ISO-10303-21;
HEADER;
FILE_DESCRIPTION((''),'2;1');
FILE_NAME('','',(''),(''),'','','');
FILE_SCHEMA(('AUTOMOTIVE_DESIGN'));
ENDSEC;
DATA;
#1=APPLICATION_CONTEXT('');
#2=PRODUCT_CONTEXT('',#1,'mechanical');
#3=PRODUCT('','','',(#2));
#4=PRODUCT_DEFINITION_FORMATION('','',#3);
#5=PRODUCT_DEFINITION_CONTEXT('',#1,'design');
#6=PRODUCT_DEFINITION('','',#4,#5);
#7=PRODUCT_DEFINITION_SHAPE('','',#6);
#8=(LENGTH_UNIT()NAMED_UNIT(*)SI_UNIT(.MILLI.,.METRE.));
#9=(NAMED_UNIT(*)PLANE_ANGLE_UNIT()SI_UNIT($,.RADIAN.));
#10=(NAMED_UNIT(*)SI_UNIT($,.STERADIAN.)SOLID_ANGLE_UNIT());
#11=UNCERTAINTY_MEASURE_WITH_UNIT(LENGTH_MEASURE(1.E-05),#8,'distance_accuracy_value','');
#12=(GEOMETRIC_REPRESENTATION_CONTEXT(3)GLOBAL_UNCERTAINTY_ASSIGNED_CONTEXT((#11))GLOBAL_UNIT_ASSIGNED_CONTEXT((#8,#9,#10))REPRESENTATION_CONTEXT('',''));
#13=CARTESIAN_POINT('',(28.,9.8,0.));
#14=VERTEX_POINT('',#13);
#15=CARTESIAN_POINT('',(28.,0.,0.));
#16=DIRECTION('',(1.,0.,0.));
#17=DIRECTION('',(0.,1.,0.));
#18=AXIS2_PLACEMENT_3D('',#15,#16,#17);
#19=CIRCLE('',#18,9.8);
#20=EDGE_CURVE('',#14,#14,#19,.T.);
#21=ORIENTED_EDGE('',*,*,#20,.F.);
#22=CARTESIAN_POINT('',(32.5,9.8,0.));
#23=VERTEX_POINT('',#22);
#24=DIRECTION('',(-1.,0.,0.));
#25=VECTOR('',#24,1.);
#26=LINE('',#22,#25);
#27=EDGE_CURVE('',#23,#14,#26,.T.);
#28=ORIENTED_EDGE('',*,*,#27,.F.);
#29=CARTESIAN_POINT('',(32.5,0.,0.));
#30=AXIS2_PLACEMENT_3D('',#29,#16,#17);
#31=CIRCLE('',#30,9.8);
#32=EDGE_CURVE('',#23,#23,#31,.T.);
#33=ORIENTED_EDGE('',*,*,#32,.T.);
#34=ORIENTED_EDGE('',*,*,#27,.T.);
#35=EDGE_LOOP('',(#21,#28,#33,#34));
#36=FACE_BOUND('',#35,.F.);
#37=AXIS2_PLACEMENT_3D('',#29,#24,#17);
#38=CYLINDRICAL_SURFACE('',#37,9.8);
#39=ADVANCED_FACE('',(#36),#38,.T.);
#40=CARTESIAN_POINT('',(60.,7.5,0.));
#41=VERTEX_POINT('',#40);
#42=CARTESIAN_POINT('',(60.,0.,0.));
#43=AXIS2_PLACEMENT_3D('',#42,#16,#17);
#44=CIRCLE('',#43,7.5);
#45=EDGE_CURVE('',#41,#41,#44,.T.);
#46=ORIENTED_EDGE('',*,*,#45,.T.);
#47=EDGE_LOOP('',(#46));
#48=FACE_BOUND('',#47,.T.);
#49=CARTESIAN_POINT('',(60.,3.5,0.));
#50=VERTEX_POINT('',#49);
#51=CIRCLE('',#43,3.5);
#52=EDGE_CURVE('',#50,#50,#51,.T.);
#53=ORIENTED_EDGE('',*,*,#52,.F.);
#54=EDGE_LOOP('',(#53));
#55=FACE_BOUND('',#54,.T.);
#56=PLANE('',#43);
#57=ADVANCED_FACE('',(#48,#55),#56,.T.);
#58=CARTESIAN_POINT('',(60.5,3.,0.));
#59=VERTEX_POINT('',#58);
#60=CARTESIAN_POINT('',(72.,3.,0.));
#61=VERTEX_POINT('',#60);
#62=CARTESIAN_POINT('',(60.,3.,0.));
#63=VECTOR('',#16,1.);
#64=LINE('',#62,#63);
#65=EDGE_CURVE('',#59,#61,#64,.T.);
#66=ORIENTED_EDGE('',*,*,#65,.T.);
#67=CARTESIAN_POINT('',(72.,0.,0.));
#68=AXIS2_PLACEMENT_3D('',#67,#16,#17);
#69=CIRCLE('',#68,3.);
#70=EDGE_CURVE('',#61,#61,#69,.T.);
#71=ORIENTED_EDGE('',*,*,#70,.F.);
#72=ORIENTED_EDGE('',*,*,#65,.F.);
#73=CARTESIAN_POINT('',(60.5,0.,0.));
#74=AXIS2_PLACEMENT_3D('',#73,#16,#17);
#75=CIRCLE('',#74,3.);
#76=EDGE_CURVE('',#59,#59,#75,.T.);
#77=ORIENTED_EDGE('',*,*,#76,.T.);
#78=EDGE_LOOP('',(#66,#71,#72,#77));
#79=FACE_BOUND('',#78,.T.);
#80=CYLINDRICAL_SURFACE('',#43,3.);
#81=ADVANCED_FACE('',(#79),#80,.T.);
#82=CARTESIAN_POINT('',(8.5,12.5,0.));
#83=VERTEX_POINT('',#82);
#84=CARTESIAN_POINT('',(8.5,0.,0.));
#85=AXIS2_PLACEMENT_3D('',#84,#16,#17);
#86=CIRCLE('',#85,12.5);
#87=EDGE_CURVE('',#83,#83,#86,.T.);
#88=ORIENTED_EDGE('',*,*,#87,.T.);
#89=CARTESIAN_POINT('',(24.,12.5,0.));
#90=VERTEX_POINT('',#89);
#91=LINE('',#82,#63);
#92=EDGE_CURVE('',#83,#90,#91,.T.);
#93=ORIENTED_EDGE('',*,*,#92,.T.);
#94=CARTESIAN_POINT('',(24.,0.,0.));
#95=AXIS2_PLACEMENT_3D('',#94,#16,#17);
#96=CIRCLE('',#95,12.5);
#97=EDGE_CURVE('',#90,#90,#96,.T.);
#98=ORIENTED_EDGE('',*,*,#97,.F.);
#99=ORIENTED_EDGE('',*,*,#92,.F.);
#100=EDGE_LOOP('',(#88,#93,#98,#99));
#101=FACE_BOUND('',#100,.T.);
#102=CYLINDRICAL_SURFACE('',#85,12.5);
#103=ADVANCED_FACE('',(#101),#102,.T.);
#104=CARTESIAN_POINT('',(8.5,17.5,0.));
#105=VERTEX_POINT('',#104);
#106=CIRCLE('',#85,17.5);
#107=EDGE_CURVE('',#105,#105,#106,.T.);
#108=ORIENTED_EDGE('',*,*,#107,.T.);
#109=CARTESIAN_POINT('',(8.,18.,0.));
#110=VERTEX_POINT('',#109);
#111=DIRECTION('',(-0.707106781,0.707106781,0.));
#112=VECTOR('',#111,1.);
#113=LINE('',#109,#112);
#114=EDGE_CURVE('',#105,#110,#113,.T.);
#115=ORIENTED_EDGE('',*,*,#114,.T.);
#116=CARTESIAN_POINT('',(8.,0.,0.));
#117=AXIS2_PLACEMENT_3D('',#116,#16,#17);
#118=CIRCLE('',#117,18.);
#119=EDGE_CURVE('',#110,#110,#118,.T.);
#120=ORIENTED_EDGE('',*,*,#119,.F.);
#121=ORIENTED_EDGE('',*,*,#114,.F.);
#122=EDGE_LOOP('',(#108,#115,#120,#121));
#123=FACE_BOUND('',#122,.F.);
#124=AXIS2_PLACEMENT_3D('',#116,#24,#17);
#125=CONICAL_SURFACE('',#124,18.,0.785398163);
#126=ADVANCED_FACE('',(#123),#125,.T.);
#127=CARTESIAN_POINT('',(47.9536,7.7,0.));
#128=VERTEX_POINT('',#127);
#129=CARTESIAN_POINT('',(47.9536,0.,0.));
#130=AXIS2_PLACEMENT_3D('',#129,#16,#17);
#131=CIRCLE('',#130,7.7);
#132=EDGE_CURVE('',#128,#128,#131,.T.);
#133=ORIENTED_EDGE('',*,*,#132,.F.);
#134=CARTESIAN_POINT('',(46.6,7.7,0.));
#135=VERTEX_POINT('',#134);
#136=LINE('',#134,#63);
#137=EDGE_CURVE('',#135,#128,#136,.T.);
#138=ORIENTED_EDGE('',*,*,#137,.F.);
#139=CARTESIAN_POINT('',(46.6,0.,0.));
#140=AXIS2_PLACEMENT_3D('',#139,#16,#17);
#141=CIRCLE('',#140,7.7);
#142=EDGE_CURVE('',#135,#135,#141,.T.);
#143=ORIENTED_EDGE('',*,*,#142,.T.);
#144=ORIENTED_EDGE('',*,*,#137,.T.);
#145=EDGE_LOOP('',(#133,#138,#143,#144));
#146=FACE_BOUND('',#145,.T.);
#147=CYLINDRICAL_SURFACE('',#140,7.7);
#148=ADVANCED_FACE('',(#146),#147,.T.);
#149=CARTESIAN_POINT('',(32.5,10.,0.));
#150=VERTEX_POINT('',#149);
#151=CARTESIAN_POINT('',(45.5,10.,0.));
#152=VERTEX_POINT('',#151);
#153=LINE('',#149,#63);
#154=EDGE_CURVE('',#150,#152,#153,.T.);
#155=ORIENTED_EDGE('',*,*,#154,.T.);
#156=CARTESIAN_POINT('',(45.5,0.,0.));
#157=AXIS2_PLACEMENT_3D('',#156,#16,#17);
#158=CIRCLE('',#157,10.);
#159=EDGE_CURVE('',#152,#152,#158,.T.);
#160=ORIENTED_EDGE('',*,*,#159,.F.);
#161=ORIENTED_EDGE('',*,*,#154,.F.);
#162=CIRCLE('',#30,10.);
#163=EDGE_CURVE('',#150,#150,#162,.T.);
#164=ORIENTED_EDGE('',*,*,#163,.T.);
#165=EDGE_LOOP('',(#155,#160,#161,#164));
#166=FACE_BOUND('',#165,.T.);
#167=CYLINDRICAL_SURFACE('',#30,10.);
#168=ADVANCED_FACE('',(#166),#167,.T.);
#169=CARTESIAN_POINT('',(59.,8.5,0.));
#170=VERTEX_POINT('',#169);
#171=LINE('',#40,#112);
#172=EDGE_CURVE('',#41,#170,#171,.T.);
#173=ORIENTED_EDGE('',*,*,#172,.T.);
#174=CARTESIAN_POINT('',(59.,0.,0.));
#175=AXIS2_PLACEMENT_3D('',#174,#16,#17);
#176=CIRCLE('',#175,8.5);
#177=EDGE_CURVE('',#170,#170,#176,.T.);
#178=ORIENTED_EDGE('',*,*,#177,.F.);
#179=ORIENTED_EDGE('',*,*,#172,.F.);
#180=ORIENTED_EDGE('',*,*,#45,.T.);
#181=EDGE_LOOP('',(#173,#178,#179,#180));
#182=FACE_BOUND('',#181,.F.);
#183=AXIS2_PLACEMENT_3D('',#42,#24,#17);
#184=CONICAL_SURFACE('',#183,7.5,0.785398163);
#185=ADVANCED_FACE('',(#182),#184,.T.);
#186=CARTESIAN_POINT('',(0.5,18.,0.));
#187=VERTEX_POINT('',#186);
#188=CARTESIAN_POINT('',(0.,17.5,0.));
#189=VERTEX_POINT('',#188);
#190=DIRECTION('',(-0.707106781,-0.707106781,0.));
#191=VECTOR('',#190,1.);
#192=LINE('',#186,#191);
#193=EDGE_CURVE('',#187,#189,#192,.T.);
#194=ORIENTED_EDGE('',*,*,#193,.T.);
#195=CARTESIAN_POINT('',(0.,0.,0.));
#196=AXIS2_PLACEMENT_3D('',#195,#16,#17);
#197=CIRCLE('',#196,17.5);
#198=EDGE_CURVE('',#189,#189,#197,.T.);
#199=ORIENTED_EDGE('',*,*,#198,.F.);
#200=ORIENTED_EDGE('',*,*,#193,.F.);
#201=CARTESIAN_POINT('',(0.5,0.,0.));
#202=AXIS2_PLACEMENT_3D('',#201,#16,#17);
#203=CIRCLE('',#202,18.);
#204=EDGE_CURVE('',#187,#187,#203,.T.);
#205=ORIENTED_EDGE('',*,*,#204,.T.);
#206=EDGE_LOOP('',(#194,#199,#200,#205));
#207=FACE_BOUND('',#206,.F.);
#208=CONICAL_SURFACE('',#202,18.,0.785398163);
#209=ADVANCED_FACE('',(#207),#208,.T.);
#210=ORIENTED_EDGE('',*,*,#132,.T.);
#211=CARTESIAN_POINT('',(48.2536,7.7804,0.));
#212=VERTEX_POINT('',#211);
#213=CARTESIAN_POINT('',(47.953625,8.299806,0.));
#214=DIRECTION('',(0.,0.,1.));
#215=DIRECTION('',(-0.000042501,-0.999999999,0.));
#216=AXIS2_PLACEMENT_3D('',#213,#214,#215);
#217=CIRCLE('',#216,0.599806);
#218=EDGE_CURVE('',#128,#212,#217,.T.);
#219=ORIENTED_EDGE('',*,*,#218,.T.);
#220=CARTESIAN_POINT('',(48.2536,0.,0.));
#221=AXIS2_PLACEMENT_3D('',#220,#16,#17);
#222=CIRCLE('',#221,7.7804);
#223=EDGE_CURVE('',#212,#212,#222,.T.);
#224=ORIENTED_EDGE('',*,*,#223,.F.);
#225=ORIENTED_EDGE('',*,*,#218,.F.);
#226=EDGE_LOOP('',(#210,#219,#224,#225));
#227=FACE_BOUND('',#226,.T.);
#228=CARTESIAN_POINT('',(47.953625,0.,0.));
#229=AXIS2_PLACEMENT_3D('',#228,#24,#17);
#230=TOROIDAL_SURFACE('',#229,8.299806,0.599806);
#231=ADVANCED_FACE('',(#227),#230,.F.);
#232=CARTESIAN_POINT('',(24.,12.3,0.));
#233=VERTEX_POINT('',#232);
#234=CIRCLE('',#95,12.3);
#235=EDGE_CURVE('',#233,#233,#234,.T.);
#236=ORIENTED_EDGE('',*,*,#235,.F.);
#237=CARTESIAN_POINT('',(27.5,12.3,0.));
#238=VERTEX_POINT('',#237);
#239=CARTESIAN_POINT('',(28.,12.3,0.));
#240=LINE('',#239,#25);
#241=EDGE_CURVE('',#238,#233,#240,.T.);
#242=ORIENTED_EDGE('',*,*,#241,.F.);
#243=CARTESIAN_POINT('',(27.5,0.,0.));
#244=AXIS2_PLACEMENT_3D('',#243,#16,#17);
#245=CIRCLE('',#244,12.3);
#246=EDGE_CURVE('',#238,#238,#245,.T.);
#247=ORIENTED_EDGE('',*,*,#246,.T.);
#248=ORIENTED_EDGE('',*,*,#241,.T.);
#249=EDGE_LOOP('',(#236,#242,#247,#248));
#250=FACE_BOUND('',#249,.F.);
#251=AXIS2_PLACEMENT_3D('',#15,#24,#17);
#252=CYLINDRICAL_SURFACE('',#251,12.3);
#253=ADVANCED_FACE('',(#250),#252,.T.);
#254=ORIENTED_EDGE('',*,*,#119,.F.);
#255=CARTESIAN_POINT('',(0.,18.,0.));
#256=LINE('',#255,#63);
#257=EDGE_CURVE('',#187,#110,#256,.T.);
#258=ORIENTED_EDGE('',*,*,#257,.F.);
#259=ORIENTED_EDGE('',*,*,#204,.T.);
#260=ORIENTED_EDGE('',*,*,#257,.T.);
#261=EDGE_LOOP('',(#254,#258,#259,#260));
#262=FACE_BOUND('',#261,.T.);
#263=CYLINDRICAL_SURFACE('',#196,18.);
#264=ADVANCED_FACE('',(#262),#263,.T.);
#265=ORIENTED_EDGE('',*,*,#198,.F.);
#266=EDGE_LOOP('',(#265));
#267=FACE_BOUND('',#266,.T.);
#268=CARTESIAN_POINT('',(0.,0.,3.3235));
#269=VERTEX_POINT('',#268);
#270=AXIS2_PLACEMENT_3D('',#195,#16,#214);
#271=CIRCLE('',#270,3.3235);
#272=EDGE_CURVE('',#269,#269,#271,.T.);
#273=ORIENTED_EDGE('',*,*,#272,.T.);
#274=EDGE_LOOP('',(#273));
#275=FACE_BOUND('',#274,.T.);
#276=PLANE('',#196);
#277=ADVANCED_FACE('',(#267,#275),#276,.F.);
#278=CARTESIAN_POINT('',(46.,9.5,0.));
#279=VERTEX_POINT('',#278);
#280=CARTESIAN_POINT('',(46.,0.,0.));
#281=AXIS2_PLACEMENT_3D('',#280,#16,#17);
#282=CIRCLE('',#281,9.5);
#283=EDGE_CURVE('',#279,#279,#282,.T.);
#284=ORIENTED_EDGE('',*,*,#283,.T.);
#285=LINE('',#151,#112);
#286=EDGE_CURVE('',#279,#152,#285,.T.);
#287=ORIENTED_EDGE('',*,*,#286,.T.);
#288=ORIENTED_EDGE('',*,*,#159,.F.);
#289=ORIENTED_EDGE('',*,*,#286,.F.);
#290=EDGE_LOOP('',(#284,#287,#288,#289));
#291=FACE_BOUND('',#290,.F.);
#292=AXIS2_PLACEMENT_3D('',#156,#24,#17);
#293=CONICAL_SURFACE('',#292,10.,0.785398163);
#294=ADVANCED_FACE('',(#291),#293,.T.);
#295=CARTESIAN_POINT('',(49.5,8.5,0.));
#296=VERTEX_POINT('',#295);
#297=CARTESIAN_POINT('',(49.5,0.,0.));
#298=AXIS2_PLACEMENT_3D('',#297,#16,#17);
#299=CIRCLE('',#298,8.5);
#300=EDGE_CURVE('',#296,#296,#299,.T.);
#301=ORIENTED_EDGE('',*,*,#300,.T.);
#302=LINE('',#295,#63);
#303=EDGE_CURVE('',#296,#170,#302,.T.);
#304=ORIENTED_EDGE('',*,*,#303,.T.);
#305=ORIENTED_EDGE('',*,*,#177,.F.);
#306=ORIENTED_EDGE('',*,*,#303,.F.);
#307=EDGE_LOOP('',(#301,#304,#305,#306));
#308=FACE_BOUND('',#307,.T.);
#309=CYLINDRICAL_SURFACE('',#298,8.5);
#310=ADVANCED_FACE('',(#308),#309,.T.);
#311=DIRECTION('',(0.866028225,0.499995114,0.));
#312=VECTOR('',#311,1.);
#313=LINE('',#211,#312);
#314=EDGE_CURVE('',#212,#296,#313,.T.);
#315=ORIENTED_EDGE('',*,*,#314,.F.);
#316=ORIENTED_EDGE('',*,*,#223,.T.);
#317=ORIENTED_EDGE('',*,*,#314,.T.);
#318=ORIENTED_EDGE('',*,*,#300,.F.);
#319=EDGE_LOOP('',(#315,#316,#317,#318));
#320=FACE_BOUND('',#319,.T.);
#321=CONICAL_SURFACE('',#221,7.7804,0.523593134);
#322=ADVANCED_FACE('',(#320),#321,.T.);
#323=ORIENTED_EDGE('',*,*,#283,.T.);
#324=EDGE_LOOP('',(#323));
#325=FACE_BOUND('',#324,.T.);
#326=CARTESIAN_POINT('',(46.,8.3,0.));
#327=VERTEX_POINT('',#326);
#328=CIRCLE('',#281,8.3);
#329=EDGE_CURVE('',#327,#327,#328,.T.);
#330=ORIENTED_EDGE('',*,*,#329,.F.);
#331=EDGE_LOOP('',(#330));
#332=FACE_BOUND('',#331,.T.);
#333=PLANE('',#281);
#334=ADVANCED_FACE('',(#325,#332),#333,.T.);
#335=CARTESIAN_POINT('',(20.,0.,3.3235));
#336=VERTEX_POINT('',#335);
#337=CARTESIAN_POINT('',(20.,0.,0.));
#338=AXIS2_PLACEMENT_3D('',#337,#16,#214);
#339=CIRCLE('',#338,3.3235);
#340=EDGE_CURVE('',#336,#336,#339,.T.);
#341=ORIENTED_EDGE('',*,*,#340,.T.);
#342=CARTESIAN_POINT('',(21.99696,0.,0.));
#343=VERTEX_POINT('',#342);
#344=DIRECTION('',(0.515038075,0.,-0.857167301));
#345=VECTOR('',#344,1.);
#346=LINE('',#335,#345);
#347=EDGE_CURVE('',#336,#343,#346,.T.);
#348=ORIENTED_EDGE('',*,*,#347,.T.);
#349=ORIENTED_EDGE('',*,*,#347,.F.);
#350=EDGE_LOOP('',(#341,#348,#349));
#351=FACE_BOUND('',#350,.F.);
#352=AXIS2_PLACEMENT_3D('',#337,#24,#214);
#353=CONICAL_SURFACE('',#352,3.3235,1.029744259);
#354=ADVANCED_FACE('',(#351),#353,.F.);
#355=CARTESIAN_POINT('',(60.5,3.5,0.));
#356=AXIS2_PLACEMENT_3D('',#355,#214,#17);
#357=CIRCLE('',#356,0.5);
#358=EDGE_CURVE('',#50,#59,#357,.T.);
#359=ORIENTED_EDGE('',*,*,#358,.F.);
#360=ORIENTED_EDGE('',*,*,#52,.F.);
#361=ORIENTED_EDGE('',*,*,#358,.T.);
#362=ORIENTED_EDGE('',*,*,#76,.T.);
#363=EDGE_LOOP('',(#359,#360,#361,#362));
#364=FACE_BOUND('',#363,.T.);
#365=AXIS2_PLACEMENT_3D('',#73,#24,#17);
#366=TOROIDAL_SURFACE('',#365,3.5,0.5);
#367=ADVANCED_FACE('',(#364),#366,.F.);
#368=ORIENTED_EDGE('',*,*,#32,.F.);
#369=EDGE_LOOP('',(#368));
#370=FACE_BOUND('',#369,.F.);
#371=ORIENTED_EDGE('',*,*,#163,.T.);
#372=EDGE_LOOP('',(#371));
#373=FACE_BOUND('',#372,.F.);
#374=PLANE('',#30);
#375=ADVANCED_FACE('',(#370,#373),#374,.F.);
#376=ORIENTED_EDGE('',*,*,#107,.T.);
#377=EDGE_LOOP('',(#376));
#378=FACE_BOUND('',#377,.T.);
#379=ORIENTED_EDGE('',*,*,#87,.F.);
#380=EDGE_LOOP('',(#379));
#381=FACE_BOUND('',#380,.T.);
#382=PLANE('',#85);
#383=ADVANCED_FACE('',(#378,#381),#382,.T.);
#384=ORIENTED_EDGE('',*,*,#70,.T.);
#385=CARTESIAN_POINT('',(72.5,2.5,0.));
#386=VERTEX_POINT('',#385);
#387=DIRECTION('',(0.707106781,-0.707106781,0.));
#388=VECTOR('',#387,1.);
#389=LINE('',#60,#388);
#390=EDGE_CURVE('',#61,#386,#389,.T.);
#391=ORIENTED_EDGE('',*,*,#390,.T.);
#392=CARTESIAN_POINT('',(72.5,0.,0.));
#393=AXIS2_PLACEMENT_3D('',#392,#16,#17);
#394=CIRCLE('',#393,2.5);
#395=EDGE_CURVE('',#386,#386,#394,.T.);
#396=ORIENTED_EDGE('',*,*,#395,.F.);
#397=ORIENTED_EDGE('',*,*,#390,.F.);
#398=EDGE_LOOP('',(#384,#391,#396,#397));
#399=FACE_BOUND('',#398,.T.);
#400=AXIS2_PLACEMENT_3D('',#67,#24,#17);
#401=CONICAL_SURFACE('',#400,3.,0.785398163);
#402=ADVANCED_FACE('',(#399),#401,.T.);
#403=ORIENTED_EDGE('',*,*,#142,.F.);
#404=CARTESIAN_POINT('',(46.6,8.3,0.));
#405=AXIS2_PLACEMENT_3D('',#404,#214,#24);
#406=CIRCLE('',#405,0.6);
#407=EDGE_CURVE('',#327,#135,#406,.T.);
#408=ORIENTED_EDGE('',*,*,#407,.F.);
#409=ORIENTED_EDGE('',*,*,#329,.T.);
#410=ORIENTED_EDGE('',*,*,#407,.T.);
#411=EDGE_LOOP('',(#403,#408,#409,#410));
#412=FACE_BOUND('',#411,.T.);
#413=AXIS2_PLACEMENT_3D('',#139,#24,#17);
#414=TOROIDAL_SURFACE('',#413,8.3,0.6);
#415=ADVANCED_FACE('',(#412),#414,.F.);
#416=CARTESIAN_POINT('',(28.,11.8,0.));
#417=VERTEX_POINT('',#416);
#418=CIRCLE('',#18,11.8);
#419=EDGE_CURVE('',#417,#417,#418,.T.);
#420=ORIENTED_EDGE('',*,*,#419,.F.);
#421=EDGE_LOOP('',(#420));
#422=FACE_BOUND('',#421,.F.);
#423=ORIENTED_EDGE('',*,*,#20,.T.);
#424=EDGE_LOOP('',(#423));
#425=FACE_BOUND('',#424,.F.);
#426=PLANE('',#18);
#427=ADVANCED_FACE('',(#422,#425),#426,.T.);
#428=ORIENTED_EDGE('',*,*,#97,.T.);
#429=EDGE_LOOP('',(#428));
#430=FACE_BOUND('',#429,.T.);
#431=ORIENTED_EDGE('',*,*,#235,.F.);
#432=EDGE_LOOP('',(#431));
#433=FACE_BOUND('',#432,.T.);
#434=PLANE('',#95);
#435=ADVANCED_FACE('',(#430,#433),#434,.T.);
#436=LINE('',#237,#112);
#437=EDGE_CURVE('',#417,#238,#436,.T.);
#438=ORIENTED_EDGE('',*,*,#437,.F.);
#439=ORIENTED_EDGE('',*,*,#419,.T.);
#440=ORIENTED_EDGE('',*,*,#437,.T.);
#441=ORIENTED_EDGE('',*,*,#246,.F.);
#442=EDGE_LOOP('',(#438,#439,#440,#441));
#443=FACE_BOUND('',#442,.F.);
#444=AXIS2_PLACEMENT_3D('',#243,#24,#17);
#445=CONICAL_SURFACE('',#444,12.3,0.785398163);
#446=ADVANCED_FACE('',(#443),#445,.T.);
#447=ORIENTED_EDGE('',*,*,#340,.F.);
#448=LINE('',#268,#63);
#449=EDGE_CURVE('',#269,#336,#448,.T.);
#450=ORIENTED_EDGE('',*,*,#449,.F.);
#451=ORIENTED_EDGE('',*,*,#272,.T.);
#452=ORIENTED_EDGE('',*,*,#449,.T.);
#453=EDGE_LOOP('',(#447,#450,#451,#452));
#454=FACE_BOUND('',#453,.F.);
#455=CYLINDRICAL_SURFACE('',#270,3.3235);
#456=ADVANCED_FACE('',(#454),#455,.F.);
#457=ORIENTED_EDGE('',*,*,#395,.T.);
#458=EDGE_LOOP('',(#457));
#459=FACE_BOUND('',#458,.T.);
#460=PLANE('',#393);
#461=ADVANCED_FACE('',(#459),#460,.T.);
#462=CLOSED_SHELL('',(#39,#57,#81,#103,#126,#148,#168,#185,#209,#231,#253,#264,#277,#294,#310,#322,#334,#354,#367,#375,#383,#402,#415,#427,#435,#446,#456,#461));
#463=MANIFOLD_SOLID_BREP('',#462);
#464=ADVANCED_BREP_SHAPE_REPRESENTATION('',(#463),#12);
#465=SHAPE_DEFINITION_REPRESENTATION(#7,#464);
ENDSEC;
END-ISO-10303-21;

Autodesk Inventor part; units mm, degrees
ref_plane "YZ Plane" through (0, 0, 0) normal (1, 0, 0) x (0, 1, 0)
ref_plane "XZ Plane" through (0, 0, 0) normal (0, 1, 0) x (-1, 0, 0)
ref_plane "XY Plane" through (0, 0, 0) normal (0, 0, 1) x (1, 0, 0)
sketch "Skizze1" plane through (0, 0, 0) normal (0, 0, 1) x (1, 0, 0)
  line L0 (0, 0) -> (0, 18)
  line L1 (8.5, 12.5) -> (24, 12.5)
  line L2 (46, 10) -> (46, 8.3)
  arc A0 (46, 8.3) -> (46.6, 7.7) centre (46.6, 8.3) ccw
  line L3 (46.6, 7.7) -> (47.9536, 7.7)
  arc A1 (47.9536, 7.7) -> (48.2536, 7.7804) centre (47.9536, 8.3) ccw
  line L4 (48.2536, 7.7804) -> (49.5, 8.5)
  line L5 (72.5, 3) -> (72.5, 0)
  line L6 (0, 0) -> (72.5, 0)
  line L7 (-14.5, 0) -> (87, 0) construction
  line L8 (32.5, 10) -> (46, 10)
  line L9 (60, 7.5) -> (60, 3)
  line L10 (60, 3) -> (72.5, 3)
  line L11 (49.5, 8.5) -> (59, 8.5)
  line L12 (60, 7.5) -> (59, 8.5)
  line L13 (64, -11.5) -> (64, 11.5) construction
  line L14 (0, 18) -> (8.5, 18)
  line L15 (8.5, 18) -> (8.5, 12.5)
  line L16 (24, 12.5) -> (24, 12.3)
  line L17 (32.5, 10) -> (32.5, 9.8)
  line L18 (32.5, 9.8) -> (28, 9.8)
  line L19 (28, 9.8) -> (28, 12.3)
  line L20 (28, 12.3) -> (24, 12.3)
  point P0 (60, 8.5)
  dimension "d0" = 25
  dimension "d3" = 0.6
  dimension "d4" = 0.6
  dimension "d7" = 3.5
  dimension "d35" = 15.4
  dimension "d36" = 24
  dimension "d37" = 32.5
  dimension "d38" = 20
  dimension "d39" = 46
  dimension "d40" = 17
  dimension "d41" = 30
  dimension "d42" = 1
  dimension "d43" = 1
  dimension "d44" = 60
  dimension "d45" = 6
  dimension "d56" = 8.5
  dimension "d57" = 36
  dimension "d58" = 8.5
  dimension "d60" = 0.2
  dimension "d61" = 0.2
  dimension "d62" = 4
revolve "Grundprofil" add sketch "Skizze1" angle 360 about axis through (-10, 0, 0) along (1, 0, 0)
sketch "Skizze2" plane through (0, 0, 0) normal (-1, 0, 0) x (0, 0, 1)
  point P0 (0, 0)
  point P1 (0, 0)
hole "M8 Sacklochbohrung" at (0, 0, 0) direction (1, 0, 0) diameter 6.647 depth 20 tip angle 118 thread size "M8x1.25" class "6H" standard "ISO Metric profile"
thread "M17x1mm Aussenfeingewinde" size "M17x1" class "6g" standard "ISO Metric profile" full length
fillet "Kerbwirkungsreduktion 0.5mm" radius 0.5 1 edges at (60, -3, 0)
chamfer "Fase4" distance 0.5 angle 45 5 edges at (0, -18, 0) (8.5, -18, 0) (28, -12.3, 0) (46, -10, 0) (72.5, -3, 0)
equation "\"d43\" = d42"
properties part number "Shoulder_Shaft_Pitch" material "Stahl, hochfest, niedrig legiert"
